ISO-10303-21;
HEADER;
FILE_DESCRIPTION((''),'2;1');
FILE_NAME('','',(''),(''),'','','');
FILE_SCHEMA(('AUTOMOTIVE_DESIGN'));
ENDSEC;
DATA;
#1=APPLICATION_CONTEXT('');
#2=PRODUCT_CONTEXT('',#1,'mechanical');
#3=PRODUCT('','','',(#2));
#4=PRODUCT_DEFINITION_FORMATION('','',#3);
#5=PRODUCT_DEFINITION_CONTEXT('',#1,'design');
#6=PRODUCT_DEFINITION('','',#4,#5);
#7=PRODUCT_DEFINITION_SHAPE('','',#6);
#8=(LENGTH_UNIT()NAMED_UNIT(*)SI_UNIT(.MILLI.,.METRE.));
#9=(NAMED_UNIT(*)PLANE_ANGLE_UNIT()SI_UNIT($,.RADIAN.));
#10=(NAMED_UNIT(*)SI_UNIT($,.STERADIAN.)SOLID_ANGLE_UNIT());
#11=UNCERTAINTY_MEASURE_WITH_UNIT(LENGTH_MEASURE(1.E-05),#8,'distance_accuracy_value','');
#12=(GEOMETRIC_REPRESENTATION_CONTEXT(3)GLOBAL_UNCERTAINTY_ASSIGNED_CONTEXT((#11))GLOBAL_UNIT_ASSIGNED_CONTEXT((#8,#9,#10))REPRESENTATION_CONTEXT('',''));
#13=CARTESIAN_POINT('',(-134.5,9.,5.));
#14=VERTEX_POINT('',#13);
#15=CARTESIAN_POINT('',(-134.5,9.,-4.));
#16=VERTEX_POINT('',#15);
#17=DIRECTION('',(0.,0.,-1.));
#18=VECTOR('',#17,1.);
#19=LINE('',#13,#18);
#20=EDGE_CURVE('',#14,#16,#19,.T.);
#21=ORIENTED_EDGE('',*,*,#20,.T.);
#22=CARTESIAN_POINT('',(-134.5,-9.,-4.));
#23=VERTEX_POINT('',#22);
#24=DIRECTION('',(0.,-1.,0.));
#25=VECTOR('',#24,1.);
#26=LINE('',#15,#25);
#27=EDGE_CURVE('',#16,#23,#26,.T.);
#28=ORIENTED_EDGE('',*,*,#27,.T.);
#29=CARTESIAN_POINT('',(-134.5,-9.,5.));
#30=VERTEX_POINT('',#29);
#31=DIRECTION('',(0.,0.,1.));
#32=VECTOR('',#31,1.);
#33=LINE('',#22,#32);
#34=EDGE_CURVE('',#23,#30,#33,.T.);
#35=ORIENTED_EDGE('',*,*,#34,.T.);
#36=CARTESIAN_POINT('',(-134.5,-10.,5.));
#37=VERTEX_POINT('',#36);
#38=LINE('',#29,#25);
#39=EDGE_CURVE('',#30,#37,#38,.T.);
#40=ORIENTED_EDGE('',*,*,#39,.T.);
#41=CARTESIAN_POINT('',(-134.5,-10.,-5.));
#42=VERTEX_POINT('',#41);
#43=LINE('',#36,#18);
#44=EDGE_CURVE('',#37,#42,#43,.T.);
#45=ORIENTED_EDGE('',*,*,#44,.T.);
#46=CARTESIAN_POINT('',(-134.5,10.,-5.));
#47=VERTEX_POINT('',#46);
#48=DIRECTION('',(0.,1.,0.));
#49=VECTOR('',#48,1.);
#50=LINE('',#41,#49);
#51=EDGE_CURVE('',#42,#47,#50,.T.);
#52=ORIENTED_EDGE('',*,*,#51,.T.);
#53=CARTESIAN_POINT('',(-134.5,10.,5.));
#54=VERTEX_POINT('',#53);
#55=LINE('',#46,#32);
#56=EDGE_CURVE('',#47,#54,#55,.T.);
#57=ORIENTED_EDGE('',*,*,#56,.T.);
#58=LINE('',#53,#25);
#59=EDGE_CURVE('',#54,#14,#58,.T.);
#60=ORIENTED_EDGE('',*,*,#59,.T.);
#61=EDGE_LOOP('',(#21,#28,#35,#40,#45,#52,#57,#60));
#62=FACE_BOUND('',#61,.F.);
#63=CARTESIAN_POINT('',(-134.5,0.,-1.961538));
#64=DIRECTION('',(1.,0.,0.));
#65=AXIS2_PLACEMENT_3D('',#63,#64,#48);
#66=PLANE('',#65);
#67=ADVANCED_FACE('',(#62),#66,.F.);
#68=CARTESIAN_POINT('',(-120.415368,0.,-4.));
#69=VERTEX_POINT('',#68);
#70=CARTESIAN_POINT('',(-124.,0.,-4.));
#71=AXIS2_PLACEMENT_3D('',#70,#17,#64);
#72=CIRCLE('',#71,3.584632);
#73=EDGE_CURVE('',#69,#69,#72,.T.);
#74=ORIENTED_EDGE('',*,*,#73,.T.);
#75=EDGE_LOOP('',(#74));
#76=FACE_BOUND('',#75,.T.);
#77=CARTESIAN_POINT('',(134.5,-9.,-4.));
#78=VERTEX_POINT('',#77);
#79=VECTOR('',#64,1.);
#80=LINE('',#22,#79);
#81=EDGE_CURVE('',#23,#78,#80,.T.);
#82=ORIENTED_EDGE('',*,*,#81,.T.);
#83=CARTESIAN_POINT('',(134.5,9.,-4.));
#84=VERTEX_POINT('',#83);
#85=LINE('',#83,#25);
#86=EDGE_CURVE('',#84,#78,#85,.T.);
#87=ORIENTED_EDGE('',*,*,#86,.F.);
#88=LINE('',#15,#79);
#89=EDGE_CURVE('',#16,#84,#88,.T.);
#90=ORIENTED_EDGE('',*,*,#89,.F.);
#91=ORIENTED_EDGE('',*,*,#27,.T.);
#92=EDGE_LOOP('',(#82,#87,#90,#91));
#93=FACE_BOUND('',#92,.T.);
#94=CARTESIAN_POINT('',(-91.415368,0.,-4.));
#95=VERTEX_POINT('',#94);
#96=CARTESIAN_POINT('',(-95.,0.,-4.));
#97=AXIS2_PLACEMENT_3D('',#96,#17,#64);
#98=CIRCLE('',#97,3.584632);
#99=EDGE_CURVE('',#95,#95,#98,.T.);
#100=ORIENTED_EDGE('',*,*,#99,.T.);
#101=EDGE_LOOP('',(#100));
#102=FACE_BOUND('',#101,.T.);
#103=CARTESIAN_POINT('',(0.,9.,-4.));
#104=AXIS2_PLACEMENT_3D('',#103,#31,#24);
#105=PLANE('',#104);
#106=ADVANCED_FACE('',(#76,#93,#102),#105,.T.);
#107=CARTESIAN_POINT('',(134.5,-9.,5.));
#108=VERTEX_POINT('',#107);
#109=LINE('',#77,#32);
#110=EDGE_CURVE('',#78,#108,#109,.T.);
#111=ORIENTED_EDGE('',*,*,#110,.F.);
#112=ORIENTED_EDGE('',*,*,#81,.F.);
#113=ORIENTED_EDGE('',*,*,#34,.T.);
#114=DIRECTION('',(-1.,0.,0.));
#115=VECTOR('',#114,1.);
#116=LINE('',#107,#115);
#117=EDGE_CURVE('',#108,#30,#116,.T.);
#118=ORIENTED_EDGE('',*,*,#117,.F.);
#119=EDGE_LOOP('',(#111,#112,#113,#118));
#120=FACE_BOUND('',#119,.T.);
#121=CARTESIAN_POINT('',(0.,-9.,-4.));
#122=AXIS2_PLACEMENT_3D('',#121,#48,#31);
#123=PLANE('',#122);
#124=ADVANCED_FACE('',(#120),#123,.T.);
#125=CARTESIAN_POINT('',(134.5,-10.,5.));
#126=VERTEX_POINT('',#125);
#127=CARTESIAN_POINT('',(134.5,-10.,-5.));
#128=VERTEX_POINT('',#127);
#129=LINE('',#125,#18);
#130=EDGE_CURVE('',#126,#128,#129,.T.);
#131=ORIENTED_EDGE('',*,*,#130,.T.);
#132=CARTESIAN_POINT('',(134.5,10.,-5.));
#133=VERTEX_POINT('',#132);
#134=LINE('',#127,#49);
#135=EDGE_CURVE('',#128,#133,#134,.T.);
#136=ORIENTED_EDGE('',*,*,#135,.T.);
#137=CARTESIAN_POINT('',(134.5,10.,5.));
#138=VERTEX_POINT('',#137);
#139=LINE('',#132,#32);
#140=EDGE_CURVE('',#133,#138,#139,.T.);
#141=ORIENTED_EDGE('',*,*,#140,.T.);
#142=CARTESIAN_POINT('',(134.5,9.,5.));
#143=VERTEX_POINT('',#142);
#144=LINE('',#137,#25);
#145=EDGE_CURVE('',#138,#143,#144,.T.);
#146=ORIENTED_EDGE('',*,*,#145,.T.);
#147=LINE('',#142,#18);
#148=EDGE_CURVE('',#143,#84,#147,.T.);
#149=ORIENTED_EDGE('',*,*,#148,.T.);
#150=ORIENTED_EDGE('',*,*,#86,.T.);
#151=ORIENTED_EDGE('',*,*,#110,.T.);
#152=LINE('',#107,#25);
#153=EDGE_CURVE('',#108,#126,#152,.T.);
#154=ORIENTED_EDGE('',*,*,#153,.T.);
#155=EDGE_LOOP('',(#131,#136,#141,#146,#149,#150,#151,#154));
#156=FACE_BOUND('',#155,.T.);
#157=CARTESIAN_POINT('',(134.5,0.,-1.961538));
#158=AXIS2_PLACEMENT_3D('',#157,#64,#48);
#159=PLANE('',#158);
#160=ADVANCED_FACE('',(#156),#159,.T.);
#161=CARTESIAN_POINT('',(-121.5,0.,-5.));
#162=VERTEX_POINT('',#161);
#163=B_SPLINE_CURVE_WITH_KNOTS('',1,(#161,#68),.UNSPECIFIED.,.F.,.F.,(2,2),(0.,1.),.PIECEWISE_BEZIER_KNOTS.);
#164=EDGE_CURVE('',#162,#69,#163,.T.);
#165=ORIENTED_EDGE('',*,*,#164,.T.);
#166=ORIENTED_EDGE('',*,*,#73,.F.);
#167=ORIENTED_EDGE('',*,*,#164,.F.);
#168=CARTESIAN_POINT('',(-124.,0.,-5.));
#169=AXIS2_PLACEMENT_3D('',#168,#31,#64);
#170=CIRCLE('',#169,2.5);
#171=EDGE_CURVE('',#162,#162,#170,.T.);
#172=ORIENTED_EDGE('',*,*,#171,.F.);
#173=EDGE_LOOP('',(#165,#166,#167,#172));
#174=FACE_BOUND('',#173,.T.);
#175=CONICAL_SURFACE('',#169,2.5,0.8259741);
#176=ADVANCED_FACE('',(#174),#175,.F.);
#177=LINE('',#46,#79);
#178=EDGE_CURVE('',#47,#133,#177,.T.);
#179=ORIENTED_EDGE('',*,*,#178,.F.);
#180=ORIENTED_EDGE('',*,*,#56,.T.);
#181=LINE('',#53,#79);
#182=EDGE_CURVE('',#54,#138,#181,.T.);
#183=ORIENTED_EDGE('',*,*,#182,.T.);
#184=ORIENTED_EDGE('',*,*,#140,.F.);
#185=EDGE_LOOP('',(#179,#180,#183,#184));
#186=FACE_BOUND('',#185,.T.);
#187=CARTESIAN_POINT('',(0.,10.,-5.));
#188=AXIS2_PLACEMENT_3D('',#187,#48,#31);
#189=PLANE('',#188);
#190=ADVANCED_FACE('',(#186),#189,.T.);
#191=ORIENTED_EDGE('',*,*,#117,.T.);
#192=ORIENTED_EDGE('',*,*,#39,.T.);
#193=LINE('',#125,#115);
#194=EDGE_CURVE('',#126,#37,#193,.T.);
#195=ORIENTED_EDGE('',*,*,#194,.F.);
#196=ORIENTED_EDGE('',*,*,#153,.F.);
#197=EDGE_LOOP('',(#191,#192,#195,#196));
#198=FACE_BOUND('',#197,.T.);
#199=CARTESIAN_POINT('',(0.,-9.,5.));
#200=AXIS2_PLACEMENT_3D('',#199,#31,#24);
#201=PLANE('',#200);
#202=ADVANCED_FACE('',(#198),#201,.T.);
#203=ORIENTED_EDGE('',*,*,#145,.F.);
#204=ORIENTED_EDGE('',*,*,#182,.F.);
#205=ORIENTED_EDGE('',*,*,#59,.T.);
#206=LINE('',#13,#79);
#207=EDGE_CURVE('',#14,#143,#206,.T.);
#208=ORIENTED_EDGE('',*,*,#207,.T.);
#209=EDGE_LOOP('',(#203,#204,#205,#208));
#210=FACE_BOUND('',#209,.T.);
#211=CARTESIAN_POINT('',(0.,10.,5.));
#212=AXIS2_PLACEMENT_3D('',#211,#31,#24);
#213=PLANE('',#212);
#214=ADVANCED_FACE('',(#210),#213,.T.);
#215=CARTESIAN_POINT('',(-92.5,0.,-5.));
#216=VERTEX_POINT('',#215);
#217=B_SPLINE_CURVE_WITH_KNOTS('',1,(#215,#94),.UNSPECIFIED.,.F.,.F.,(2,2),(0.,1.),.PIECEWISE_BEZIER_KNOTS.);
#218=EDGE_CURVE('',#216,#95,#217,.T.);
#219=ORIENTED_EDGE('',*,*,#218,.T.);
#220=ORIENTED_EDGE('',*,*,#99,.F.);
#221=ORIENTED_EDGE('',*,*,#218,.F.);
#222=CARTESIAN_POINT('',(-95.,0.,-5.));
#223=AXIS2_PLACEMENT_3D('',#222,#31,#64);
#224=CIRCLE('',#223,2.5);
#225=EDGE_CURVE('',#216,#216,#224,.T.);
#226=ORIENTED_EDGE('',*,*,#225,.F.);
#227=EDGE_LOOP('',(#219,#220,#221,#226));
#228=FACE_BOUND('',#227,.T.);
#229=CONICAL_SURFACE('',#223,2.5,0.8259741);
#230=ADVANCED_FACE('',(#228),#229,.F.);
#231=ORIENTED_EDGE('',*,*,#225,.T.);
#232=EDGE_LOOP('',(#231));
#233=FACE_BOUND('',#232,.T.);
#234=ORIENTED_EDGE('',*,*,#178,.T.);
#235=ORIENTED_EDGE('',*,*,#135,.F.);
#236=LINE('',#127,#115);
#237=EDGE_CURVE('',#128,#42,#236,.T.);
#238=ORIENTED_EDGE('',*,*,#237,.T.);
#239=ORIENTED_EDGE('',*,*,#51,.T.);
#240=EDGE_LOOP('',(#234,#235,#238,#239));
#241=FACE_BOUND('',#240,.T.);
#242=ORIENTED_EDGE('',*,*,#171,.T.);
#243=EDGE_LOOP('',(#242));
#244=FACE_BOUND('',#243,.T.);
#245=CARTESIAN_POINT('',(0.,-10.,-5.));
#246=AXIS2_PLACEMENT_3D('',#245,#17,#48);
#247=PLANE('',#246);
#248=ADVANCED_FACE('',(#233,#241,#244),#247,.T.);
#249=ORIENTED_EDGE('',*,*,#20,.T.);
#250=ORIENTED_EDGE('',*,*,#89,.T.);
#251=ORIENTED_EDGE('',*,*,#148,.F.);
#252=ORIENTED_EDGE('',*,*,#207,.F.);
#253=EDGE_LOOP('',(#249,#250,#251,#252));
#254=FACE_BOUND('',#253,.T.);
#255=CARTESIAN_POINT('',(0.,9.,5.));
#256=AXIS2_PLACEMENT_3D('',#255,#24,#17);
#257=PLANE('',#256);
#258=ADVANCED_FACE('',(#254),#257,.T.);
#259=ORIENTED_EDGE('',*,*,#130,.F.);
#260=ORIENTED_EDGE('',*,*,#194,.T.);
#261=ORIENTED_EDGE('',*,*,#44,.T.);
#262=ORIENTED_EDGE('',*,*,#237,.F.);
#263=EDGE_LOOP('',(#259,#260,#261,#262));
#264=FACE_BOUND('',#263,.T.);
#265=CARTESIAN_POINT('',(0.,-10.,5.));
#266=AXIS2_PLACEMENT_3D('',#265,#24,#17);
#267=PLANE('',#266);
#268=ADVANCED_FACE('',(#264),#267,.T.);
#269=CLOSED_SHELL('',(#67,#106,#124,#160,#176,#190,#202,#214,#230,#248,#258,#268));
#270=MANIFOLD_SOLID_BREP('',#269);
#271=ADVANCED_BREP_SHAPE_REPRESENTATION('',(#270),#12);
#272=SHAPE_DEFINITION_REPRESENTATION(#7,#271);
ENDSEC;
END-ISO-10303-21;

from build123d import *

# Parameters (mm, degrees)
F1_DEPTH      = 134.5
F1_DEPTH_BACK = 134.5
F2_R          = 2.5
F3_DEPTH      = 1
F3_TAPER      = -47.3248299171


with BuildPart() as f1:
    # F0 (on Right) → F1 (new body, two sides)
    with BuildSketch(Plane.YZ) as f1_sk:
        Polygon((-10, -5), (10, -5), (10, 5), (9, 5), (9, -4), (-9, -4), (-9, 5), (-10, 5), align=None)
    extrude(amount=F1_DEPTH)
    extrude(f1_sk.sketch, amount=-F1_DEPTH_BACK)

    # F2 (on face) → F3 (cut)
    with BuildSketch(Plane(origin=(0, 0, -5), x_dir=(1, 0, 0), z_dir=(0, 0, -1))):
        with Locations((-124, 0)):
            Circle(F2_R)
        with Locations((-95, 0)):
            Circle(F2_R)
    extrude(amount=-F3_DEPTH, taper=F3_TAPER, mode=Mode.SUBTRACT)


solid = f1.part
